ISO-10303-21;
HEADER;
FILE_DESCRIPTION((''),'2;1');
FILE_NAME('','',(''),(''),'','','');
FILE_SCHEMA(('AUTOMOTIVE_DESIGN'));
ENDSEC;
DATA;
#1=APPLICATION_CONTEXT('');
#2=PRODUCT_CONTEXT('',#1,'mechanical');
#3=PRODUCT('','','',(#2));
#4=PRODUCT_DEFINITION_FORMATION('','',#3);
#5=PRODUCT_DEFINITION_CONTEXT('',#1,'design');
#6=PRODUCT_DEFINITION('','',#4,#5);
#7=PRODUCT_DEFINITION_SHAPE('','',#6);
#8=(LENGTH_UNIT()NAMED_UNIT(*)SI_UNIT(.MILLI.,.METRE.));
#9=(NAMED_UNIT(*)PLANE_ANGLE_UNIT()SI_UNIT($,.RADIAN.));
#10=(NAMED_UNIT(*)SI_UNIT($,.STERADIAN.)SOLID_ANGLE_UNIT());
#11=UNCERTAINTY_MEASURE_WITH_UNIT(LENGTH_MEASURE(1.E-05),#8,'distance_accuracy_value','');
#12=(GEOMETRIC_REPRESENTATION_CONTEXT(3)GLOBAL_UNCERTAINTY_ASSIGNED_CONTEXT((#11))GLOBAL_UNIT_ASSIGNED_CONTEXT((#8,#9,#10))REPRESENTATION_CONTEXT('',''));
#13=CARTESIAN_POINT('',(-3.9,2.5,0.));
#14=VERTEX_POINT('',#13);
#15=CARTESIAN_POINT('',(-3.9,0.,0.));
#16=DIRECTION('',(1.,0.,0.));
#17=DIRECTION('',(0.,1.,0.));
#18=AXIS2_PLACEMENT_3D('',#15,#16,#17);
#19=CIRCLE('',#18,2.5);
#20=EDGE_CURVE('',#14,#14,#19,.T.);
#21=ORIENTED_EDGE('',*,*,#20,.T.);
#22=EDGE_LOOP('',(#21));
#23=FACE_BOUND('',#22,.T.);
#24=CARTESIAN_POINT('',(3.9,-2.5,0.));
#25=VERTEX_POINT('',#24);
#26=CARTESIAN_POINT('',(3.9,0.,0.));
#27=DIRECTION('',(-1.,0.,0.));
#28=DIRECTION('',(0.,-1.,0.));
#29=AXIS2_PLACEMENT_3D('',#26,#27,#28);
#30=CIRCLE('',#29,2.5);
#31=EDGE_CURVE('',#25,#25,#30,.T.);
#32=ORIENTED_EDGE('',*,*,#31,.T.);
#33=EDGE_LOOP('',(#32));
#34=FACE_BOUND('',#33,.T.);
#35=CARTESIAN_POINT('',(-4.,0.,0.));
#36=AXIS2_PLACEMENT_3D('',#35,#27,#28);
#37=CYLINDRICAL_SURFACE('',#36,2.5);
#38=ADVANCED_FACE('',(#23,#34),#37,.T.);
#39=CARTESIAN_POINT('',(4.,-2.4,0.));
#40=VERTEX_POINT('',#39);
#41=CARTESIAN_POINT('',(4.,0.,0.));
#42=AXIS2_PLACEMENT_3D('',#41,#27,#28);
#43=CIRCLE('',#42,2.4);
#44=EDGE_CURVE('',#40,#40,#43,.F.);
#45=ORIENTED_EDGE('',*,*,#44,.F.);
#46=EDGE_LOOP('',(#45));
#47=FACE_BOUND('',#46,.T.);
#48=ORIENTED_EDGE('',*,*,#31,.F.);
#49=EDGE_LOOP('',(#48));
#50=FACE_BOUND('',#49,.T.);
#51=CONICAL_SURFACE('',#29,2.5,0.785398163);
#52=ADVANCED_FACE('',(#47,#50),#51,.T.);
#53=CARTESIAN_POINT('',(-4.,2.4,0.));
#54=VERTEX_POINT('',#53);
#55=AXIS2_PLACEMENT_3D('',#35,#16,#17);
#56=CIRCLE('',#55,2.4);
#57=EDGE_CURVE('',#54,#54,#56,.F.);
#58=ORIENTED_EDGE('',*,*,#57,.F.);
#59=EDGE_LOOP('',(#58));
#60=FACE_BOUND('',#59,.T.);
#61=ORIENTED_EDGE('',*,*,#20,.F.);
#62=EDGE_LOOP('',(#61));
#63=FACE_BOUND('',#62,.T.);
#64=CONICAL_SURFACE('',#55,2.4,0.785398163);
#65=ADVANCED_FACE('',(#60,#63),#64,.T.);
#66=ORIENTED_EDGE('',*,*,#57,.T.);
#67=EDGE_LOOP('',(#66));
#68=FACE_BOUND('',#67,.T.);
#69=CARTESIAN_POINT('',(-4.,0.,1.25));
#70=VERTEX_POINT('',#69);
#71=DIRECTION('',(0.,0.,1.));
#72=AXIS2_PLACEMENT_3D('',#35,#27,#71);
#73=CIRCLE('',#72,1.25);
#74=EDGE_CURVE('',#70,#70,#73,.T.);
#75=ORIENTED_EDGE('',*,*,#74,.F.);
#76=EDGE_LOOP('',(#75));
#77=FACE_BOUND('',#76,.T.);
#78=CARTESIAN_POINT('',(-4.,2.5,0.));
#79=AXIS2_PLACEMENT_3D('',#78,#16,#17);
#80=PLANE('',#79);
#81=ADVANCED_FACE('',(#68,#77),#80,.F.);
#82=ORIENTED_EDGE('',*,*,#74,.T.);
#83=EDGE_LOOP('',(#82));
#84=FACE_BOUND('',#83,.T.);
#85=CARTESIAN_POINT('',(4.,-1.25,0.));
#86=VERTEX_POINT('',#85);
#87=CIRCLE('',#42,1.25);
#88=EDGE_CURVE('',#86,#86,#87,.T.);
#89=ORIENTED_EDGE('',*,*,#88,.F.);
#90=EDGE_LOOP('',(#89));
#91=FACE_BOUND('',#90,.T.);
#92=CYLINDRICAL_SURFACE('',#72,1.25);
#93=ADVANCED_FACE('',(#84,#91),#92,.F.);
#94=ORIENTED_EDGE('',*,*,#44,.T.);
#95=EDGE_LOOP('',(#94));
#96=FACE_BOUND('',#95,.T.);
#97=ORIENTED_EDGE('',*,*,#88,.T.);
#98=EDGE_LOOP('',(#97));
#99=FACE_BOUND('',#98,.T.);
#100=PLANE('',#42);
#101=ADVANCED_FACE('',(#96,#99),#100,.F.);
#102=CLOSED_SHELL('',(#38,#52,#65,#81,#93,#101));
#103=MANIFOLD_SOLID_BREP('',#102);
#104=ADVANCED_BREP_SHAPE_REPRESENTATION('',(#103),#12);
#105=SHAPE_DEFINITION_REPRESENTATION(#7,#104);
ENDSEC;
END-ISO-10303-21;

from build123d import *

# Parameters (mm, degrees)
SKETCH_1_W     = 8
SKETCH_1_H     = 2.5
CHAMFER_1_SIZE = 0.1


with BuildPart() as part:
    # 草图1 → 旋转1 (revolve)
    with BuildSketch(Plane.XY, mode=Mode.PRIVATE) as revolve_1_sk:
        with Locations((0, 1.25)):
            Rectangle(SKETCH_1_W, SKETCH_1_H)
    revolve(revolve_1_sk.sketch.rotate(Axis((-4, 0, 0), (1, 0, 0)), 180), axis=Axis((-4, 0, 0), (1, 0, 0)))

    # 草图3 → Hole Wizard 377 (revolve, cut)
    with BuildSketch(Plane(origin=(-4, 0, 0), x_dir=(0, 0, 1), z_dir=(0, 1, 0))):
        Polygon((0, 0), (0, 10.751075774), (1.25, 10), (1.25, 0), align=None)
    hole_wizard_377 = revolve(axis=Axis((-10.35, 0, 0), (1, 0, 0)), mode=Mode.SUBTRACT)

    # 镜向1: Hole Wizard 377 across plane
    add(hole_wizard_377.mirror(Plane(origin=(0, 0, 0), x_dir=(0, 0, 1), z_dir=(1, 0, 0))), mode=Mode.SUBTRACT)

    # 倒角1
    chamfer_1_edges = [part.edges().sort_by_distance(p)[0] for p in [
        (-4, 2.5, 0),
        (4, 2.5, 0),
    ]]
    chamfer(chamfer_1_edges, length=CHAMFER_1_SIZE)


solid = part.part
